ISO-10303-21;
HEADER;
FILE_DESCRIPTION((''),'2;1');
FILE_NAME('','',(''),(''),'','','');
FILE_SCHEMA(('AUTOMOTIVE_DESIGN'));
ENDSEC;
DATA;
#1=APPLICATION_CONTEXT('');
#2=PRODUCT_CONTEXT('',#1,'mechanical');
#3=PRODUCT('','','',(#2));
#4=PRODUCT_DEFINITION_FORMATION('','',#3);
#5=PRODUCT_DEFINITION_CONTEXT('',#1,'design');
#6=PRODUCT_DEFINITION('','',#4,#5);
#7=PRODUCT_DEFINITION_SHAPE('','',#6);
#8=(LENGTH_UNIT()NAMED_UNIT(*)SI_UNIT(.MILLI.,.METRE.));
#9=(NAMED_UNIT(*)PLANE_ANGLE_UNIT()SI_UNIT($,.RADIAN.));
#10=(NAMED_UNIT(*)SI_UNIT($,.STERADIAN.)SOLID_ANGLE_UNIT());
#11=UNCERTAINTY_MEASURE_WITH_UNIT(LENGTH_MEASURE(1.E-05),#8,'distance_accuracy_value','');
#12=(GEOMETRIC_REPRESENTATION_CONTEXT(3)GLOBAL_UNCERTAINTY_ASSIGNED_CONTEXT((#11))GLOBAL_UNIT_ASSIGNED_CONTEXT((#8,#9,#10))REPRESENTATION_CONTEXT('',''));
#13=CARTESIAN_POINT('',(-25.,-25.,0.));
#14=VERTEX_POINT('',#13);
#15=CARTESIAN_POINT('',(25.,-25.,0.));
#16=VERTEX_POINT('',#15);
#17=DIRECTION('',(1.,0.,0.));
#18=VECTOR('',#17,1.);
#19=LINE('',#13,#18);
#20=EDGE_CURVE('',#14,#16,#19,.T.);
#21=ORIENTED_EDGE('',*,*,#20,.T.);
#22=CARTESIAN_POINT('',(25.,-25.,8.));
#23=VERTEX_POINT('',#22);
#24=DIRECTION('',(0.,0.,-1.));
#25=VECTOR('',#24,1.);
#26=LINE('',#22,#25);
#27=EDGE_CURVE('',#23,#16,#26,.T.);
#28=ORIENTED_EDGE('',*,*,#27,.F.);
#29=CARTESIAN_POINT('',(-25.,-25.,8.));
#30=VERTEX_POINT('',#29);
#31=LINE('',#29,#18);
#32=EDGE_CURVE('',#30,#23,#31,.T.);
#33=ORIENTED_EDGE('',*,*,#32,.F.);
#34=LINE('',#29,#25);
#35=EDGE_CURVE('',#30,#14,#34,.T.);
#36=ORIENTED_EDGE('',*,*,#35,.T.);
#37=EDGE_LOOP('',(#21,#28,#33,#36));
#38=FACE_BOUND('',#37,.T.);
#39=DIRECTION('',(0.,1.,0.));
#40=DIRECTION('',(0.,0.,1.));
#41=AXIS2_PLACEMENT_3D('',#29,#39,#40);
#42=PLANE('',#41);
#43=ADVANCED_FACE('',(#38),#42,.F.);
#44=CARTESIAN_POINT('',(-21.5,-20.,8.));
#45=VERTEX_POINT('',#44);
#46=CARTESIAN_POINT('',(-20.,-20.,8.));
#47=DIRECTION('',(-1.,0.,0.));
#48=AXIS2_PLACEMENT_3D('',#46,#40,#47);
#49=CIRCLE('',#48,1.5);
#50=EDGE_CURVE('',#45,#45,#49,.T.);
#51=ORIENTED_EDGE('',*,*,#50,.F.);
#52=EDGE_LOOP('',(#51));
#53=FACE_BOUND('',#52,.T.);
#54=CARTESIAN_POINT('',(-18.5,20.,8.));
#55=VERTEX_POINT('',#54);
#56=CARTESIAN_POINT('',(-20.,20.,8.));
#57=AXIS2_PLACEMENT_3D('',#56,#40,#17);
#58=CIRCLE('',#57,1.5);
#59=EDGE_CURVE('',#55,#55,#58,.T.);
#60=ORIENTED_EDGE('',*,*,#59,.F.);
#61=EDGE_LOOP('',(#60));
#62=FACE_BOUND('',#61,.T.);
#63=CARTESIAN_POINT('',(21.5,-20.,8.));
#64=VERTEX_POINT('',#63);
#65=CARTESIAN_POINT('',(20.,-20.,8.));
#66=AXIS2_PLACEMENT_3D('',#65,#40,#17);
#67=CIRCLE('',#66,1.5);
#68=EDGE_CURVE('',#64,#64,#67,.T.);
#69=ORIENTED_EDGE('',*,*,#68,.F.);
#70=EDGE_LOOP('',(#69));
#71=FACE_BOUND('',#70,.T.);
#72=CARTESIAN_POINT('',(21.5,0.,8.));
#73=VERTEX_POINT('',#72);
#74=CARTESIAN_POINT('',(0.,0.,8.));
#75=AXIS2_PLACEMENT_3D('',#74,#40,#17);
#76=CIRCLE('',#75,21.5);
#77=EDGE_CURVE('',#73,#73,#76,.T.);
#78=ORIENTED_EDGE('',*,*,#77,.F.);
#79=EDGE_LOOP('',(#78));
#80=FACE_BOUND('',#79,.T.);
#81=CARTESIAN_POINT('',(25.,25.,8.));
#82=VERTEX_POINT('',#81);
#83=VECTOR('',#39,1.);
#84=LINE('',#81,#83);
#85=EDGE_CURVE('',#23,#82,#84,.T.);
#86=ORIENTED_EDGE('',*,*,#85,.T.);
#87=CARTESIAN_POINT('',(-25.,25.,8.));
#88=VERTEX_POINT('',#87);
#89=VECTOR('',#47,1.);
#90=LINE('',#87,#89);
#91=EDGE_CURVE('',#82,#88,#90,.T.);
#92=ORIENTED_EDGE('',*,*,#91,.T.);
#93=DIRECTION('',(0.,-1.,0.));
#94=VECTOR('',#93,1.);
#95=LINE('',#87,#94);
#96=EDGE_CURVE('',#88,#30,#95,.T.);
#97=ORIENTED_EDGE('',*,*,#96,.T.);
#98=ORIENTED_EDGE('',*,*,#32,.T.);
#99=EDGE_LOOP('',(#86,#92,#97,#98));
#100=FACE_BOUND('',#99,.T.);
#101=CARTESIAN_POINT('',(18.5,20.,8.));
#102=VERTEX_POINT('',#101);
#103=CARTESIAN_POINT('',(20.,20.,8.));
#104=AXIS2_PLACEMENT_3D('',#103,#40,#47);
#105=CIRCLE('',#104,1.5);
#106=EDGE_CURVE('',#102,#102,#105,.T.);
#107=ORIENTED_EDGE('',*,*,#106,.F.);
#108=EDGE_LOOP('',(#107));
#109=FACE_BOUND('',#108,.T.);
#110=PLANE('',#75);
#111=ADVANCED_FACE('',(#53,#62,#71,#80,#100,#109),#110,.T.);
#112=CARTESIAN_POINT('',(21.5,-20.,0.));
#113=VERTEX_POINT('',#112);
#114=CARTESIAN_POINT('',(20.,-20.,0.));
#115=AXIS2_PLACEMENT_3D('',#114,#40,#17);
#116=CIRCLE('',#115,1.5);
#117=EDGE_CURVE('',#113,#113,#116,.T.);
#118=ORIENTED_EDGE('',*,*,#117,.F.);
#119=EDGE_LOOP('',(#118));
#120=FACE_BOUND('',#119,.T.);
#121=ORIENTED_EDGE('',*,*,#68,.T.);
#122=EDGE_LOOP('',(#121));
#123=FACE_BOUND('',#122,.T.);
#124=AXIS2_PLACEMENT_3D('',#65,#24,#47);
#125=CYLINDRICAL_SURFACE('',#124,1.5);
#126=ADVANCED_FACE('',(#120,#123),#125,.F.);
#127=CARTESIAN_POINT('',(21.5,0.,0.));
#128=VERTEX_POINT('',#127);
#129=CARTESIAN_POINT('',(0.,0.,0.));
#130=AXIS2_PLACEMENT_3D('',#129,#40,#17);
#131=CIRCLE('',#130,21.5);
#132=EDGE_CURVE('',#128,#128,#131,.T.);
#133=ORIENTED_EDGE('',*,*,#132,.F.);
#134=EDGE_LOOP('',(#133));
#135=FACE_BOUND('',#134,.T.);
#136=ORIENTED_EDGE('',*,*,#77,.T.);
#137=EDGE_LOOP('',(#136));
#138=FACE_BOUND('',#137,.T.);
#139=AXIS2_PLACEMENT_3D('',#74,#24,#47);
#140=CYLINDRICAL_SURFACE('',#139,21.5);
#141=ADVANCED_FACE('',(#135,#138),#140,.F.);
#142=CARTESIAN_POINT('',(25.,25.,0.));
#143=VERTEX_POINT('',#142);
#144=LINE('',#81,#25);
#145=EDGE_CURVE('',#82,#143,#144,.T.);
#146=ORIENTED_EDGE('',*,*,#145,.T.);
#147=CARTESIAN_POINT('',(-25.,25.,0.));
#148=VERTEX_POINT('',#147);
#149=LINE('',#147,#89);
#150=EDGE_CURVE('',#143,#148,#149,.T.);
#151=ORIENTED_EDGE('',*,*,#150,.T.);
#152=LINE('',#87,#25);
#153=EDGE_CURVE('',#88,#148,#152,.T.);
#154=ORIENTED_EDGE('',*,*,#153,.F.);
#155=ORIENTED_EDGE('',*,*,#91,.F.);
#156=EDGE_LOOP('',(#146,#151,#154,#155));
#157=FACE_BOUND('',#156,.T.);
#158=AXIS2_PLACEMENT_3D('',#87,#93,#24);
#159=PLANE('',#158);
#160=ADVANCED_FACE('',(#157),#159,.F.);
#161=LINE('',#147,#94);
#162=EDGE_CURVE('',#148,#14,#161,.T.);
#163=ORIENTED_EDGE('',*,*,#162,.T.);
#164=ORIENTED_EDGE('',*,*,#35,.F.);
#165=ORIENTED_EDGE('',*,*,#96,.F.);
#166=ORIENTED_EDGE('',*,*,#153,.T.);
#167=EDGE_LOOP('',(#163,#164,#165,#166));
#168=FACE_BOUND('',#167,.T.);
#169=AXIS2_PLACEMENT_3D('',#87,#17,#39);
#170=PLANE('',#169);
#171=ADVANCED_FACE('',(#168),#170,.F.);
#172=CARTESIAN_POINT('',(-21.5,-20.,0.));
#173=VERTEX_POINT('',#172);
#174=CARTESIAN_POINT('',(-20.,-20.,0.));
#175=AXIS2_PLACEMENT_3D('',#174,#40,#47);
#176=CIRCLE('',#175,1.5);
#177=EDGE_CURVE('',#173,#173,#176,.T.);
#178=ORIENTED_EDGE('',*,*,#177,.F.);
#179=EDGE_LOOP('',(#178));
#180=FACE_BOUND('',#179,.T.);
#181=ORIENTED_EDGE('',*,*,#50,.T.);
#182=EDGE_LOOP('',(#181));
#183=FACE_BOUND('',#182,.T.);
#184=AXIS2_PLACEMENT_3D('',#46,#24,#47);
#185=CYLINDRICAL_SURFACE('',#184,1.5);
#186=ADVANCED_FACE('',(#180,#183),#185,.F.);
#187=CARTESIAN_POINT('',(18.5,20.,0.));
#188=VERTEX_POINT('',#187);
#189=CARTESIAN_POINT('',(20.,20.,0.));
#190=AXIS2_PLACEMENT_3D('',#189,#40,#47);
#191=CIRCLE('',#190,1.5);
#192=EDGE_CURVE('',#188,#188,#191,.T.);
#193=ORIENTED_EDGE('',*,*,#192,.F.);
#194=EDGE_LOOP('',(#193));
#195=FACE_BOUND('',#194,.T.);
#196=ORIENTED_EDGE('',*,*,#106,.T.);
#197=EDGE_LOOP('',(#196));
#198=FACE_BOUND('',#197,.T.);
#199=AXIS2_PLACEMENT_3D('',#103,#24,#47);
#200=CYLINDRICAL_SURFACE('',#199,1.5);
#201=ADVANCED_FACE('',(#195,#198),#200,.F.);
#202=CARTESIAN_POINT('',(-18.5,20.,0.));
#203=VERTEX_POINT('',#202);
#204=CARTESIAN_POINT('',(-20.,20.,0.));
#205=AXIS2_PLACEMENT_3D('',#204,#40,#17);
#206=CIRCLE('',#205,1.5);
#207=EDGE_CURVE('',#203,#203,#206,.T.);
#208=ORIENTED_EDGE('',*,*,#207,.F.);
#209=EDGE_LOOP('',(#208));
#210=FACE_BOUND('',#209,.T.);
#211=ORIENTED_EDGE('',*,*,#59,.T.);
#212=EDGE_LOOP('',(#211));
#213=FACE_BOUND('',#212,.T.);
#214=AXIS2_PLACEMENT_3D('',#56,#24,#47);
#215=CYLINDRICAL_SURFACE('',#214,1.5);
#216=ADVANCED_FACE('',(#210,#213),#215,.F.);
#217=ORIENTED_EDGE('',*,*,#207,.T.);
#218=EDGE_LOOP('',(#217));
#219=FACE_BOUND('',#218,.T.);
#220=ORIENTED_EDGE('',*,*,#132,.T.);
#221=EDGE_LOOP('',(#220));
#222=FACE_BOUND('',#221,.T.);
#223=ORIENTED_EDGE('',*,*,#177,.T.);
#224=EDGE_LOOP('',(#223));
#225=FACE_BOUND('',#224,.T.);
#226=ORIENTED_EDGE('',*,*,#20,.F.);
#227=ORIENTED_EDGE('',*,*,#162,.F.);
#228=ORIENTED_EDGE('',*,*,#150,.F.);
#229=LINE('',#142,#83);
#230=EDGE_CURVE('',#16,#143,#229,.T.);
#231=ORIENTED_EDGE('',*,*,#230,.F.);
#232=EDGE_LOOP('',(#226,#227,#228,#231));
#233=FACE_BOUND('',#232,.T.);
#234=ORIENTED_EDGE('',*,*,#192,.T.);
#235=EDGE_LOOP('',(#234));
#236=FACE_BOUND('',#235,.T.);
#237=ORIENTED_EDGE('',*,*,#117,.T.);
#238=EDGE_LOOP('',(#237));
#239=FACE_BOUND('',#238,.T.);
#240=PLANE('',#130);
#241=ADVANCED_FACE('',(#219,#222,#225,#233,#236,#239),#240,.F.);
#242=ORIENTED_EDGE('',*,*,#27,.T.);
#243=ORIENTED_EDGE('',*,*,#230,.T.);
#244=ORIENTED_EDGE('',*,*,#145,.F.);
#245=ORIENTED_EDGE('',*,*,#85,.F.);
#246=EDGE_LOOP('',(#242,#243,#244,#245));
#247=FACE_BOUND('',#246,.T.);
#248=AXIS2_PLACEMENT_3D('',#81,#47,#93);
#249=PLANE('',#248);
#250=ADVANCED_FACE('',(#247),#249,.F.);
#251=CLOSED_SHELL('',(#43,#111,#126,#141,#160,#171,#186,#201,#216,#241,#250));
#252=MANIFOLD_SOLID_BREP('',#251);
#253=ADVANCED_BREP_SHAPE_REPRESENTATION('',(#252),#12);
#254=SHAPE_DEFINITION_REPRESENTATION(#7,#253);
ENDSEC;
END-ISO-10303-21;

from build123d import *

# Parameters (mm, degrees)
SKETCH_1_W      = 50
SKETCH_1_H      = 50
SKETCH_1_R      = 21.5
SKETCH_1_R_2    = 1.5
EXTRUDE_1_DEPTH = 8


with BuildPart() as part:
    # 草图1 → 凸台-拉伸1 (new body)
    with BuildSketch(Plane.XY):
        Rectangle(SKETCH_1_W, SKETCH_1_H)
        Circle(SKETCH_1_R, mode=Mode.SUBTRACT)
        with Locations((-20, 20)):
            Circle(SKETCH_1_R_2, mode=Mode.SUBTRACT)
        with Locations(Location((20, 20, 0), (0, 0, 180))):
            Circle(SKETCH_1_R_2, mode=Mode.SUBTRACT)
        with Locations((20, -20)):
            Circle(SKETCH_1_R_2, mode=Mode.SUBTRACT)
        with Locations(Location((-20, -20, 0), (0, 0, 180))):
            Circle(SKETCH_1_R_2, mode=Mode.SUBTRACT)
    extrude(amount=EXTRUDE_1_DEPTH)


solid = part.part
